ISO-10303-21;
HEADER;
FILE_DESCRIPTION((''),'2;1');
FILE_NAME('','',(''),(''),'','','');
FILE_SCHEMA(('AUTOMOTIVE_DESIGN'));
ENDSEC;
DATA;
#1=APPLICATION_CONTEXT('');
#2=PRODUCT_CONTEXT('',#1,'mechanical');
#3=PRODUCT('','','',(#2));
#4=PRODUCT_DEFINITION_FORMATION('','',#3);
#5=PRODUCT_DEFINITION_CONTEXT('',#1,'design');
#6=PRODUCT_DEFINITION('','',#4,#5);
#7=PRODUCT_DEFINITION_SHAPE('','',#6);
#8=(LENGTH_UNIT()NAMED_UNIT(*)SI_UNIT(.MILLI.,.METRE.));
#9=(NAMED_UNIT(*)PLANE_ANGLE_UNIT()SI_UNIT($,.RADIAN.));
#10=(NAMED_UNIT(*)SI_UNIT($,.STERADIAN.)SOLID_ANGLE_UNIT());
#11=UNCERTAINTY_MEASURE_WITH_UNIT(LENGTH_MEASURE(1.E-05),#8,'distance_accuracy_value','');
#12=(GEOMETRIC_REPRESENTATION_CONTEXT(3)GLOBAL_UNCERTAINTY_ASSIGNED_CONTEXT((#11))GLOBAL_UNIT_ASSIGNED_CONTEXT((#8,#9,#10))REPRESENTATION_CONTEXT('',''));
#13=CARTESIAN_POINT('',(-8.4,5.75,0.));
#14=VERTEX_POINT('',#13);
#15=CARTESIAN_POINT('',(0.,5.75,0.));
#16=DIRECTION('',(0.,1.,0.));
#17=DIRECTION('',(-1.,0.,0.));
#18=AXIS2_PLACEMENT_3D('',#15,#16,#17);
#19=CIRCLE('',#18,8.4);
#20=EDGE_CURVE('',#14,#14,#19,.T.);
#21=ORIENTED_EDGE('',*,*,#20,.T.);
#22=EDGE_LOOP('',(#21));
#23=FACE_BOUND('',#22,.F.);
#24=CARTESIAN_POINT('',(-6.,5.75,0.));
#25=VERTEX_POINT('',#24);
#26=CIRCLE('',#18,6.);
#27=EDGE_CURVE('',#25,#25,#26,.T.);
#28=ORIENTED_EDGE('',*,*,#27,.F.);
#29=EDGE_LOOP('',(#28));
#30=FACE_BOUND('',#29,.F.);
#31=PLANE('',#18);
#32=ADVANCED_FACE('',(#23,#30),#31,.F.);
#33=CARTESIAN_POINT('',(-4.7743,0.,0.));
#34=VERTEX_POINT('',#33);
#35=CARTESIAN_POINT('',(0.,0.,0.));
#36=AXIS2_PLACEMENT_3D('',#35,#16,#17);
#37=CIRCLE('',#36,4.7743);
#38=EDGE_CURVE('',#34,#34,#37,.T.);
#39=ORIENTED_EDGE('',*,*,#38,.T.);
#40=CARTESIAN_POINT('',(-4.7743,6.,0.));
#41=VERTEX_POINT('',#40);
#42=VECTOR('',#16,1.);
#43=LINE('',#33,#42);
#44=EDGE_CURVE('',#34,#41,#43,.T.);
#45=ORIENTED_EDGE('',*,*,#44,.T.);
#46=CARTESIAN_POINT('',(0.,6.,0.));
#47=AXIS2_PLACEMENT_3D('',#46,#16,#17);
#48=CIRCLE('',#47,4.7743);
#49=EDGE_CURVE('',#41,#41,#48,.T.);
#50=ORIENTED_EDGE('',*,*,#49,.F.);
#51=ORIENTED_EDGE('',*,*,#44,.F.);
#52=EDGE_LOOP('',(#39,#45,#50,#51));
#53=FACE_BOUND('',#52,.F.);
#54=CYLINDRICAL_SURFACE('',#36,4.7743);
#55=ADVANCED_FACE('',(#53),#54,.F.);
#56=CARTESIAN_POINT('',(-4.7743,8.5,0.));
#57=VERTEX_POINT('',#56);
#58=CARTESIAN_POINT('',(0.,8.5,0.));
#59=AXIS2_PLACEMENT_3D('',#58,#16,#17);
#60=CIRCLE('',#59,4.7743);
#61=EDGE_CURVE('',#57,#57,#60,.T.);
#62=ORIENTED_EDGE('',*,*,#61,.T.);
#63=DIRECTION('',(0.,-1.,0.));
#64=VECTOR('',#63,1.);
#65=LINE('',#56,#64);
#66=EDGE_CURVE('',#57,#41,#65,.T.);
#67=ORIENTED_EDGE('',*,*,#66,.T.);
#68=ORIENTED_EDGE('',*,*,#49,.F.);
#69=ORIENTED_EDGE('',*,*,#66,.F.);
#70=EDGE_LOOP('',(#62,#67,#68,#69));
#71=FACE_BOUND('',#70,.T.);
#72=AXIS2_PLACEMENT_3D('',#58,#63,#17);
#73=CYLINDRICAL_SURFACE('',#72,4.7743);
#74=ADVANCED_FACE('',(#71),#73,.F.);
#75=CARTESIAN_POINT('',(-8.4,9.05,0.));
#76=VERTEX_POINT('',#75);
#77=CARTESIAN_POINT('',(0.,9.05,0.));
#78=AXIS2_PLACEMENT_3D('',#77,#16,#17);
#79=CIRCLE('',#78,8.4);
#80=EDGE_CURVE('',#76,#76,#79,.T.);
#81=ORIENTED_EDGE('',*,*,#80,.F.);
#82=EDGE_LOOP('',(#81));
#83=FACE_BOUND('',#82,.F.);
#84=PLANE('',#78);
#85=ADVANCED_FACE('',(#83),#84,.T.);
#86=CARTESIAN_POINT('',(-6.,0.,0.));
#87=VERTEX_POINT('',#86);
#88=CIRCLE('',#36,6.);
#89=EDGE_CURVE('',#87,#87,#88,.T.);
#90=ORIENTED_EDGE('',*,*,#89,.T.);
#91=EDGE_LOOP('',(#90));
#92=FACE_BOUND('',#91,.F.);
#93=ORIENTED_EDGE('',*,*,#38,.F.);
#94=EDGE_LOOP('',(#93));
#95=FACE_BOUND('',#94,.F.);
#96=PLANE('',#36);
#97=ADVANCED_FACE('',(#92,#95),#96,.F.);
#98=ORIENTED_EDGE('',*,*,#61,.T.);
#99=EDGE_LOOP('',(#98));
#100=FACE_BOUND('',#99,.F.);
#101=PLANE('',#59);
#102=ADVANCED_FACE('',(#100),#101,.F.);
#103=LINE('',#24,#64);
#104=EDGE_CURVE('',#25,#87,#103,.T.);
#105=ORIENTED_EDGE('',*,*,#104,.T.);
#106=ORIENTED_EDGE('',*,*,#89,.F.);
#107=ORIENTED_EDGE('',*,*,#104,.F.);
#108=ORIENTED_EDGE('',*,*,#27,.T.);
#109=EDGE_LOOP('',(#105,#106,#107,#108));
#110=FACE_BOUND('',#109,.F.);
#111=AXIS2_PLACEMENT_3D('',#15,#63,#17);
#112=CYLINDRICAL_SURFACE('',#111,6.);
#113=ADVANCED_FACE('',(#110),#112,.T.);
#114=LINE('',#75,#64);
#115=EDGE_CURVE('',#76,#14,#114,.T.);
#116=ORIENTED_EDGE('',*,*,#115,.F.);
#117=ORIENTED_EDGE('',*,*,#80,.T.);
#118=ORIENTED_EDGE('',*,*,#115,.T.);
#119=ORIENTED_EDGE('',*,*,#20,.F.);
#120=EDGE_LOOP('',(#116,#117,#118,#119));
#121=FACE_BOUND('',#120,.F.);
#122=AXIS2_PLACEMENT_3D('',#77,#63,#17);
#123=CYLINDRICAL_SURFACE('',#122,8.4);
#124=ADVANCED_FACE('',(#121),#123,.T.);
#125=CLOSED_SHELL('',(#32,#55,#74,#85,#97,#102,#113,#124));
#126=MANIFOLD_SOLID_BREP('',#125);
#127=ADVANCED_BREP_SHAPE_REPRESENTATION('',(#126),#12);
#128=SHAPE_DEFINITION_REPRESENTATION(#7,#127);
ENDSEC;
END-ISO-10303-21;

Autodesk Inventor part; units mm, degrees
ref_plane "YZ Plane" through (0, 0, 0) normal (1, 0, 0) x (0, 1, 0)
ref_plane "XZ Plane" through (0, 0, 0) normal (0, 1, 0) x (-1, 0, 0)
ref_plane "XY Plane" through (0, 0, 0) normal (0, 0, 1) x (1, 0, 0)
sketch "Sketch2" plane through (0, 0, 0) normal (0, 0, 1) x (1, 0, 0)
  line L0 (0, 0) -> (0, 9.05) construction
  line L1 (0, 9.05) -> (-8.4, 9.05)
  line L2 (-8.4, 9.05) -> (-8.4, 5.75)
  line L3 (-8.4, 5.75) -> (-6, 5.75)
  line L4 (-6, 5.75) -> (-6, 0)
  line L5 (-6, 0) -> (-4.7743, 0)
  line L6 (0, 0) -> (-6, 0) construction
  line L7 (-4.7743, 0) -> (-4.7743, 6)
  line L8 (0, 9.05) -> (0, 8.5)
  line L9 (-4.7743, 8.5) -> (-4.7743, 6)
  line L10 (-4.7743, 8.5) -> (0, 8.5)
  dimension "d4" = 8.4
  dimension "d5" = 3.3
  dimension "d6" = 5.75
  dimension "d8" = 6
revolve "Revolution1" add sketch "Sketch2" angle 360 about axis through (0, 0, 0) along (0, 1, 0)
properties part number "CapForCl"
